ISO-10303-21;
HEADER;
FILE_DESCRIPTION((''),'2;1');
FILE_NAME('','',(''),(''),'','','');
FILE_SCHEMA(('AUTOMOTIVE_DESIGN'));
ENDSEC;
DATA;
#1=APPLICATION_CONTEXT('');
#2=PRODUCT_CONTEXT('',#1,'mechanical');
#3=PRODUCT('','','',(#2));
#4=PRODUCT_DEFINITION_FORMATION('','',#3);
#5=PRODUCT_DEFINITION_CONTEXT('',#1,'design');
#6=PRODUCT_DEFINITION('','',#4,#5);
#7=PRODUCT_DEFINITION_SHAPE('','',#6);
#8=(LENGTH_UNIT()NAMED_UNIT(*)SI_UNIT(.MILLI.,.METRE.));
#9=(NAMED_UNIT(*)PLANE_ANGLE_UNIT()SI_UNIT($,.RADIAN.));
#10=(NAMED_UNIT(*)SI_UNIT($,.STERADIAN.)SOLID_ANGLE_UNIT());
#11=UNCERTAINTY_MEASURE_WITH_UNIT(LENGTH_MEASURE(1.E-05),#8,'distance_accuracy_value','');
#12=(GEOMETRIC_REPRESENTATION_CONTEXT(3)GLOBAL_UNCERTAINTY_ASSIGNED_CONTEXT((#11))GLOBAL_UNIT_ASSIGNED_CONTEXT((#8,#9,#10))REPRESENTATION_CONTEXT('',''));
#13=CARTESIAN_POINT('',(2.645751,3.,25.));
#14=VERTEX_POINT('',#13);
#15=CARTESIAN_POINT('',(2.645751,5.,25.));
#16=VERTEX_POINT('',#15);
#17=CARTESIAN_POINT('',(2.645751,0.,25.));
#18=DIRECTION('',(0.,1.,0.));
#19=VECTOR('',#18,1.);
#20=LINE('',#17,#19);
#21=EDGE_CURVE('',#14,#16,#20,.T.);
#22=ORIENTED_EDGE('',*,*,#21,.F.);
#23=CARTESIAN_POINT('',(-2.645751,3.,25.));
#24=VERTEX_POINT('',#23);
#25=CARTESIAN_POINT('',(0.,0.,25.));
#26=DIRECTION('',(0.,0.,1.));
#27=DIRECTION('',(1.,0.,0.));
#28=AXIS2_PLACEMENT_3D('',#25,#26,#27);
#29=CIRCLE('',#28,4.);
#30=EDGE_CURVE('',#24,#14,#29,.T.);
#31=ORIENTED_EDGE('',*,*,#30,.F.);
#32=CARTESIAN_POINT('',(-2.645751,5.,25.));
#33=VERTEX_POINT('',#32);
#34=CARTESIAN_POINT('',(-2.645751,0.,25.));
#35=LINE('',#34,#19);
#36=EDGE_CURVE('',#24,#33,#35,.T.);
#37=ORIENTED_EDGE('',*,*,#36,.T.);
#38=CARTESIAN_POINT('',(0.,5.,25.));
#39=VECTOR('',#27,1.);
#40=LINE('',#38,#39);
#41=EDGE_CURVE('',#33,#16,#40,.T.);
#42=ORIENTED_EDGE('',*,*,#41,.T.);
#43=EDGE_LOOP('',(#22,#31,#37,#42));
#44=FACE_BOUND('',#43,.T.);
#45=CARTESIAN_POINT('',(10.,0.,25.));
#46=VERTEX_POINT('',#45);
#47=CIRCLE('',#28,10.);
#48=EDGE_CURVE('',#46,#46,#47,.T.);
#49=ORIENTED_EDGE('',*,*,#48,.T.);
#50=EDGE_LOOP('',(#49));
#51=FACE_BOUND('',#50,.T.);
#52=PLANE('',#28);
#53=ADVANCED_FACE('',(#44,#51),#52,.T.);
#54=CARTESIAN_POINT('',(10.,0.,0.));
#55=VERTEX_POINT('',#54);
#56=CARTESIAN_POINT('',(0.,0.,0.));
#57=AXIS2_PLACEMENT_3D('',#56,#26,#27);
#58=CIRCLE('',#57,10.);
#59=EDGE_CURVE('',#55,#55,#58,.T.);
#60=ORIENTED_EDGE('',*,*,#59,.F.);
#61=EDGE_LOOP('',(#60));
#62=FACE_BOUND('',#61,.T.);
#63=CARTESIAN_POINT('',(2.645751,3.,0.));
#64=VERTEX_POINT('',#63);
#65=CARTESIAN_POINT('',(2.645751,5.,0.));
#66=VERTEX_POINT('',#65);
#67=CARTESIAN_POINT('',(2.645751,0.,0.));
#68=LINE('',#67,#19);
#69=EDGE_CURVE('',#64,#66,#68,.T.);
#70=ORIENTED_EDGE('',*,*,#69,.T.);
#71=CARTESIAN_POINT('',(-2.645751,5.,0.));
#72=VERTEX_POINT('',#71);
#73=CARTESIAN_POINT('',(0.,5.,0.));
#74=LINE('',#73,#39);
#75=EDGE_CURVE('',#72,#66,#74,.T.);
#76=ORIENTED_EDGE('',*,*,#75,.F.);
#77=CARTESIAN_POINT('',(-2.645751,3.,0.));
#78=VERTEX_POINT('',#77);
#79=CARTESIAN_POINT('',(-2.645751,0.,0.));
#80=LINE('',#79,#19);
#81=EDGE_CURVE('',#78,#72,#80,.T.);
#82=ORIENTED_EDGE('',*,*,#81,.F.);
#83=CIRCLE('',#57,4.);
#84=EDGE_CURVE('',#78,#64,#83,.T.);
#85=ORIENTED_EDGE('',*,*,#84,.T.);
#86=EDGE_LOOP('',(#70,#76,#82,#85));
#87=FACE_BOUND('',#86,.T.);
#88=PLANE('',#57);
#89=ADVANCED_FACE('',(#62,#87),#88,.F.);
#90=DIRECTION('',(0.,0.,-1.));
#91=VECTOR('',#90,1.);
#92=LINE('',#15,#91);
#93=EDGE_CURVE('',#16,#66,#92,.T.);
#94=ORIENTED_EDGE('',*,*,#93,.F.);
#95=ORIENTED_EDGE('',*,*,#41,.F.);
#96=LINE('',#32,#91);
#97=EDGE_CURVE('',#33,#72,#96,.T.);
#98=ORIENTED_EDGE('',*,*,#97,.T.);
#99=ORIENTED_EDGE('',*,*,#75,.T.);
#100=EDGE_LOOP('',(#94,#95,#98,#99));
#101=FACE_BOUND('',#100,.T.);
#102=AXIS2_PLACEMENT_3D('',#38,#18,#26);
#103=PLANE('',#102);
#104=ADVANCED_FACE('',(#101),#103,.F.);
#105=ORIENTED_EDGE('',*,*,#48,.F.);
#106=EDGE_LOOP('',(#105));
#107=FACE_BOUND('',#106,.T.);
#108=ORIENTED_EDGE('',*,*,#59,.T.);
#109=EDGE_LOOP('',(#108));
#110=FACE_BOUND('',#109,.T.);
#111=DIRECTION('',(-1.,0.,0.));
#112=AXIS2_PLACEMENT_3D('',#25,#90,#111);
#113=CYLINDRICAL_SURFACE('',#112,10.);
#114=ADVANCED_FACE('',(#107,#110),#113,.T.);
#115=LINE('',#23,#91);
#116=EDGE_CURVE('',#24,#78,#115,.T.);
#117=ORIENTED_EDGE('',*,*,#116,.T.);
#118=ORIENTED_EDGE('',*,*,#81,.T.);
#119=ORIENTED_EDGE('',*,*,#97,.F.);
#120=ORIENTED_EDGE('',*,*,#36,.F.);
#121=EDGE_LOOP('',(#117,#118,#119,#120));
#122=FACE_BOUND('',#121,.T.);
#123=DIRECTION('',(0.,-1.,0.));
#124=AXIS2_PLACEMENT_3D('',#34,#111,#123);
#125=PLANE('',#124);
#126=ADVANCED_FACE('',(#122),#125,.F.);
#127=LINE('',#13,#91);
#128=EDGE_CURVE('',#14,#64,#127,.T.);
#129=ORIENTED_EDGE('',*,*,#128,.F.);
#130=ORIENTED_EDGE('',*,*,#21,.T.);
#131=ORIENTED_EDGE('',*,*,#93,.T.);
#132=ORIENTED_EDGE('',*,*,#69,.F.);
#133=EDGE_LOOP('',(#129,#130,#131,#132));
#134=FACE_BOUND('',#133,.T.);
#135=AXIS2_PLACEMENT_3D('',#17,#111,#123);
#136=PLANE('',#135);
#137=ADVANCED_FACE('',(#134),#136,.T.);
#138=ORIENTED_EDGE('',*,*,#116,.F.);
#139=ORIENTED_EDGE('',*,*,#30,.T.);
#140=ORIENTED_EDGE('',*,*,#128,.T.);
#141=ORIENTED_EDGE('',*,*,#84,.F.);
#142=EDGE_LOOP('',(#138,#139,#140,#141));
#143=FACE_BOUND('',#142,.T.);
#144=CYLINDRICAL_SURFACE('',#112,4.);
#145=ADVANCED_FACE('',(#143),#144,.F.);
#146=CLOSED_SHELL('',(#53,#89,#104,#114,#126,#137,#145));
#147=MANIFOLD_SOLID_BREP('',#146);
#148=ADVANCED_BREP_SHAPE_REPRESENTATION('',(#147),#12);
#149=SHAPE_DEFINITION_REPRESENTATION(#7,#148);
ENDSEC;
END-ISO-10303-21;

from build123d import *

# Parameters (mm, degrees)
SKETCH1_R           = 10
BOSS_EXTRUDE1_DEPTH = 25


with BuildPart() as part:
    # Sketch1 → Boss-Extrude1 (new body)
    with BuildSketch(Plane.XY):
        Circle(SKETCH1_R)
        with BuildLine():
            ThreePointArc((4, 0), (-1.645751311, -3.645751311), (-2.645751311, 3))
            Line((-2.645751311, 3), (-2.645751311, 5))
            Line((-2.645751311, 5), (2.645751311, 5))
            Line((2.645751311, 5), (2.645751311, 3))
            ThreePointArc((2.645751311, 3), (3.645751311, 1.645751311), (4, 0))
        make_face(mode=Mode.SUBTRACT)
    extrude(amount=BOSS_EXTRUDE1_DEPTH)


solid = part.part
